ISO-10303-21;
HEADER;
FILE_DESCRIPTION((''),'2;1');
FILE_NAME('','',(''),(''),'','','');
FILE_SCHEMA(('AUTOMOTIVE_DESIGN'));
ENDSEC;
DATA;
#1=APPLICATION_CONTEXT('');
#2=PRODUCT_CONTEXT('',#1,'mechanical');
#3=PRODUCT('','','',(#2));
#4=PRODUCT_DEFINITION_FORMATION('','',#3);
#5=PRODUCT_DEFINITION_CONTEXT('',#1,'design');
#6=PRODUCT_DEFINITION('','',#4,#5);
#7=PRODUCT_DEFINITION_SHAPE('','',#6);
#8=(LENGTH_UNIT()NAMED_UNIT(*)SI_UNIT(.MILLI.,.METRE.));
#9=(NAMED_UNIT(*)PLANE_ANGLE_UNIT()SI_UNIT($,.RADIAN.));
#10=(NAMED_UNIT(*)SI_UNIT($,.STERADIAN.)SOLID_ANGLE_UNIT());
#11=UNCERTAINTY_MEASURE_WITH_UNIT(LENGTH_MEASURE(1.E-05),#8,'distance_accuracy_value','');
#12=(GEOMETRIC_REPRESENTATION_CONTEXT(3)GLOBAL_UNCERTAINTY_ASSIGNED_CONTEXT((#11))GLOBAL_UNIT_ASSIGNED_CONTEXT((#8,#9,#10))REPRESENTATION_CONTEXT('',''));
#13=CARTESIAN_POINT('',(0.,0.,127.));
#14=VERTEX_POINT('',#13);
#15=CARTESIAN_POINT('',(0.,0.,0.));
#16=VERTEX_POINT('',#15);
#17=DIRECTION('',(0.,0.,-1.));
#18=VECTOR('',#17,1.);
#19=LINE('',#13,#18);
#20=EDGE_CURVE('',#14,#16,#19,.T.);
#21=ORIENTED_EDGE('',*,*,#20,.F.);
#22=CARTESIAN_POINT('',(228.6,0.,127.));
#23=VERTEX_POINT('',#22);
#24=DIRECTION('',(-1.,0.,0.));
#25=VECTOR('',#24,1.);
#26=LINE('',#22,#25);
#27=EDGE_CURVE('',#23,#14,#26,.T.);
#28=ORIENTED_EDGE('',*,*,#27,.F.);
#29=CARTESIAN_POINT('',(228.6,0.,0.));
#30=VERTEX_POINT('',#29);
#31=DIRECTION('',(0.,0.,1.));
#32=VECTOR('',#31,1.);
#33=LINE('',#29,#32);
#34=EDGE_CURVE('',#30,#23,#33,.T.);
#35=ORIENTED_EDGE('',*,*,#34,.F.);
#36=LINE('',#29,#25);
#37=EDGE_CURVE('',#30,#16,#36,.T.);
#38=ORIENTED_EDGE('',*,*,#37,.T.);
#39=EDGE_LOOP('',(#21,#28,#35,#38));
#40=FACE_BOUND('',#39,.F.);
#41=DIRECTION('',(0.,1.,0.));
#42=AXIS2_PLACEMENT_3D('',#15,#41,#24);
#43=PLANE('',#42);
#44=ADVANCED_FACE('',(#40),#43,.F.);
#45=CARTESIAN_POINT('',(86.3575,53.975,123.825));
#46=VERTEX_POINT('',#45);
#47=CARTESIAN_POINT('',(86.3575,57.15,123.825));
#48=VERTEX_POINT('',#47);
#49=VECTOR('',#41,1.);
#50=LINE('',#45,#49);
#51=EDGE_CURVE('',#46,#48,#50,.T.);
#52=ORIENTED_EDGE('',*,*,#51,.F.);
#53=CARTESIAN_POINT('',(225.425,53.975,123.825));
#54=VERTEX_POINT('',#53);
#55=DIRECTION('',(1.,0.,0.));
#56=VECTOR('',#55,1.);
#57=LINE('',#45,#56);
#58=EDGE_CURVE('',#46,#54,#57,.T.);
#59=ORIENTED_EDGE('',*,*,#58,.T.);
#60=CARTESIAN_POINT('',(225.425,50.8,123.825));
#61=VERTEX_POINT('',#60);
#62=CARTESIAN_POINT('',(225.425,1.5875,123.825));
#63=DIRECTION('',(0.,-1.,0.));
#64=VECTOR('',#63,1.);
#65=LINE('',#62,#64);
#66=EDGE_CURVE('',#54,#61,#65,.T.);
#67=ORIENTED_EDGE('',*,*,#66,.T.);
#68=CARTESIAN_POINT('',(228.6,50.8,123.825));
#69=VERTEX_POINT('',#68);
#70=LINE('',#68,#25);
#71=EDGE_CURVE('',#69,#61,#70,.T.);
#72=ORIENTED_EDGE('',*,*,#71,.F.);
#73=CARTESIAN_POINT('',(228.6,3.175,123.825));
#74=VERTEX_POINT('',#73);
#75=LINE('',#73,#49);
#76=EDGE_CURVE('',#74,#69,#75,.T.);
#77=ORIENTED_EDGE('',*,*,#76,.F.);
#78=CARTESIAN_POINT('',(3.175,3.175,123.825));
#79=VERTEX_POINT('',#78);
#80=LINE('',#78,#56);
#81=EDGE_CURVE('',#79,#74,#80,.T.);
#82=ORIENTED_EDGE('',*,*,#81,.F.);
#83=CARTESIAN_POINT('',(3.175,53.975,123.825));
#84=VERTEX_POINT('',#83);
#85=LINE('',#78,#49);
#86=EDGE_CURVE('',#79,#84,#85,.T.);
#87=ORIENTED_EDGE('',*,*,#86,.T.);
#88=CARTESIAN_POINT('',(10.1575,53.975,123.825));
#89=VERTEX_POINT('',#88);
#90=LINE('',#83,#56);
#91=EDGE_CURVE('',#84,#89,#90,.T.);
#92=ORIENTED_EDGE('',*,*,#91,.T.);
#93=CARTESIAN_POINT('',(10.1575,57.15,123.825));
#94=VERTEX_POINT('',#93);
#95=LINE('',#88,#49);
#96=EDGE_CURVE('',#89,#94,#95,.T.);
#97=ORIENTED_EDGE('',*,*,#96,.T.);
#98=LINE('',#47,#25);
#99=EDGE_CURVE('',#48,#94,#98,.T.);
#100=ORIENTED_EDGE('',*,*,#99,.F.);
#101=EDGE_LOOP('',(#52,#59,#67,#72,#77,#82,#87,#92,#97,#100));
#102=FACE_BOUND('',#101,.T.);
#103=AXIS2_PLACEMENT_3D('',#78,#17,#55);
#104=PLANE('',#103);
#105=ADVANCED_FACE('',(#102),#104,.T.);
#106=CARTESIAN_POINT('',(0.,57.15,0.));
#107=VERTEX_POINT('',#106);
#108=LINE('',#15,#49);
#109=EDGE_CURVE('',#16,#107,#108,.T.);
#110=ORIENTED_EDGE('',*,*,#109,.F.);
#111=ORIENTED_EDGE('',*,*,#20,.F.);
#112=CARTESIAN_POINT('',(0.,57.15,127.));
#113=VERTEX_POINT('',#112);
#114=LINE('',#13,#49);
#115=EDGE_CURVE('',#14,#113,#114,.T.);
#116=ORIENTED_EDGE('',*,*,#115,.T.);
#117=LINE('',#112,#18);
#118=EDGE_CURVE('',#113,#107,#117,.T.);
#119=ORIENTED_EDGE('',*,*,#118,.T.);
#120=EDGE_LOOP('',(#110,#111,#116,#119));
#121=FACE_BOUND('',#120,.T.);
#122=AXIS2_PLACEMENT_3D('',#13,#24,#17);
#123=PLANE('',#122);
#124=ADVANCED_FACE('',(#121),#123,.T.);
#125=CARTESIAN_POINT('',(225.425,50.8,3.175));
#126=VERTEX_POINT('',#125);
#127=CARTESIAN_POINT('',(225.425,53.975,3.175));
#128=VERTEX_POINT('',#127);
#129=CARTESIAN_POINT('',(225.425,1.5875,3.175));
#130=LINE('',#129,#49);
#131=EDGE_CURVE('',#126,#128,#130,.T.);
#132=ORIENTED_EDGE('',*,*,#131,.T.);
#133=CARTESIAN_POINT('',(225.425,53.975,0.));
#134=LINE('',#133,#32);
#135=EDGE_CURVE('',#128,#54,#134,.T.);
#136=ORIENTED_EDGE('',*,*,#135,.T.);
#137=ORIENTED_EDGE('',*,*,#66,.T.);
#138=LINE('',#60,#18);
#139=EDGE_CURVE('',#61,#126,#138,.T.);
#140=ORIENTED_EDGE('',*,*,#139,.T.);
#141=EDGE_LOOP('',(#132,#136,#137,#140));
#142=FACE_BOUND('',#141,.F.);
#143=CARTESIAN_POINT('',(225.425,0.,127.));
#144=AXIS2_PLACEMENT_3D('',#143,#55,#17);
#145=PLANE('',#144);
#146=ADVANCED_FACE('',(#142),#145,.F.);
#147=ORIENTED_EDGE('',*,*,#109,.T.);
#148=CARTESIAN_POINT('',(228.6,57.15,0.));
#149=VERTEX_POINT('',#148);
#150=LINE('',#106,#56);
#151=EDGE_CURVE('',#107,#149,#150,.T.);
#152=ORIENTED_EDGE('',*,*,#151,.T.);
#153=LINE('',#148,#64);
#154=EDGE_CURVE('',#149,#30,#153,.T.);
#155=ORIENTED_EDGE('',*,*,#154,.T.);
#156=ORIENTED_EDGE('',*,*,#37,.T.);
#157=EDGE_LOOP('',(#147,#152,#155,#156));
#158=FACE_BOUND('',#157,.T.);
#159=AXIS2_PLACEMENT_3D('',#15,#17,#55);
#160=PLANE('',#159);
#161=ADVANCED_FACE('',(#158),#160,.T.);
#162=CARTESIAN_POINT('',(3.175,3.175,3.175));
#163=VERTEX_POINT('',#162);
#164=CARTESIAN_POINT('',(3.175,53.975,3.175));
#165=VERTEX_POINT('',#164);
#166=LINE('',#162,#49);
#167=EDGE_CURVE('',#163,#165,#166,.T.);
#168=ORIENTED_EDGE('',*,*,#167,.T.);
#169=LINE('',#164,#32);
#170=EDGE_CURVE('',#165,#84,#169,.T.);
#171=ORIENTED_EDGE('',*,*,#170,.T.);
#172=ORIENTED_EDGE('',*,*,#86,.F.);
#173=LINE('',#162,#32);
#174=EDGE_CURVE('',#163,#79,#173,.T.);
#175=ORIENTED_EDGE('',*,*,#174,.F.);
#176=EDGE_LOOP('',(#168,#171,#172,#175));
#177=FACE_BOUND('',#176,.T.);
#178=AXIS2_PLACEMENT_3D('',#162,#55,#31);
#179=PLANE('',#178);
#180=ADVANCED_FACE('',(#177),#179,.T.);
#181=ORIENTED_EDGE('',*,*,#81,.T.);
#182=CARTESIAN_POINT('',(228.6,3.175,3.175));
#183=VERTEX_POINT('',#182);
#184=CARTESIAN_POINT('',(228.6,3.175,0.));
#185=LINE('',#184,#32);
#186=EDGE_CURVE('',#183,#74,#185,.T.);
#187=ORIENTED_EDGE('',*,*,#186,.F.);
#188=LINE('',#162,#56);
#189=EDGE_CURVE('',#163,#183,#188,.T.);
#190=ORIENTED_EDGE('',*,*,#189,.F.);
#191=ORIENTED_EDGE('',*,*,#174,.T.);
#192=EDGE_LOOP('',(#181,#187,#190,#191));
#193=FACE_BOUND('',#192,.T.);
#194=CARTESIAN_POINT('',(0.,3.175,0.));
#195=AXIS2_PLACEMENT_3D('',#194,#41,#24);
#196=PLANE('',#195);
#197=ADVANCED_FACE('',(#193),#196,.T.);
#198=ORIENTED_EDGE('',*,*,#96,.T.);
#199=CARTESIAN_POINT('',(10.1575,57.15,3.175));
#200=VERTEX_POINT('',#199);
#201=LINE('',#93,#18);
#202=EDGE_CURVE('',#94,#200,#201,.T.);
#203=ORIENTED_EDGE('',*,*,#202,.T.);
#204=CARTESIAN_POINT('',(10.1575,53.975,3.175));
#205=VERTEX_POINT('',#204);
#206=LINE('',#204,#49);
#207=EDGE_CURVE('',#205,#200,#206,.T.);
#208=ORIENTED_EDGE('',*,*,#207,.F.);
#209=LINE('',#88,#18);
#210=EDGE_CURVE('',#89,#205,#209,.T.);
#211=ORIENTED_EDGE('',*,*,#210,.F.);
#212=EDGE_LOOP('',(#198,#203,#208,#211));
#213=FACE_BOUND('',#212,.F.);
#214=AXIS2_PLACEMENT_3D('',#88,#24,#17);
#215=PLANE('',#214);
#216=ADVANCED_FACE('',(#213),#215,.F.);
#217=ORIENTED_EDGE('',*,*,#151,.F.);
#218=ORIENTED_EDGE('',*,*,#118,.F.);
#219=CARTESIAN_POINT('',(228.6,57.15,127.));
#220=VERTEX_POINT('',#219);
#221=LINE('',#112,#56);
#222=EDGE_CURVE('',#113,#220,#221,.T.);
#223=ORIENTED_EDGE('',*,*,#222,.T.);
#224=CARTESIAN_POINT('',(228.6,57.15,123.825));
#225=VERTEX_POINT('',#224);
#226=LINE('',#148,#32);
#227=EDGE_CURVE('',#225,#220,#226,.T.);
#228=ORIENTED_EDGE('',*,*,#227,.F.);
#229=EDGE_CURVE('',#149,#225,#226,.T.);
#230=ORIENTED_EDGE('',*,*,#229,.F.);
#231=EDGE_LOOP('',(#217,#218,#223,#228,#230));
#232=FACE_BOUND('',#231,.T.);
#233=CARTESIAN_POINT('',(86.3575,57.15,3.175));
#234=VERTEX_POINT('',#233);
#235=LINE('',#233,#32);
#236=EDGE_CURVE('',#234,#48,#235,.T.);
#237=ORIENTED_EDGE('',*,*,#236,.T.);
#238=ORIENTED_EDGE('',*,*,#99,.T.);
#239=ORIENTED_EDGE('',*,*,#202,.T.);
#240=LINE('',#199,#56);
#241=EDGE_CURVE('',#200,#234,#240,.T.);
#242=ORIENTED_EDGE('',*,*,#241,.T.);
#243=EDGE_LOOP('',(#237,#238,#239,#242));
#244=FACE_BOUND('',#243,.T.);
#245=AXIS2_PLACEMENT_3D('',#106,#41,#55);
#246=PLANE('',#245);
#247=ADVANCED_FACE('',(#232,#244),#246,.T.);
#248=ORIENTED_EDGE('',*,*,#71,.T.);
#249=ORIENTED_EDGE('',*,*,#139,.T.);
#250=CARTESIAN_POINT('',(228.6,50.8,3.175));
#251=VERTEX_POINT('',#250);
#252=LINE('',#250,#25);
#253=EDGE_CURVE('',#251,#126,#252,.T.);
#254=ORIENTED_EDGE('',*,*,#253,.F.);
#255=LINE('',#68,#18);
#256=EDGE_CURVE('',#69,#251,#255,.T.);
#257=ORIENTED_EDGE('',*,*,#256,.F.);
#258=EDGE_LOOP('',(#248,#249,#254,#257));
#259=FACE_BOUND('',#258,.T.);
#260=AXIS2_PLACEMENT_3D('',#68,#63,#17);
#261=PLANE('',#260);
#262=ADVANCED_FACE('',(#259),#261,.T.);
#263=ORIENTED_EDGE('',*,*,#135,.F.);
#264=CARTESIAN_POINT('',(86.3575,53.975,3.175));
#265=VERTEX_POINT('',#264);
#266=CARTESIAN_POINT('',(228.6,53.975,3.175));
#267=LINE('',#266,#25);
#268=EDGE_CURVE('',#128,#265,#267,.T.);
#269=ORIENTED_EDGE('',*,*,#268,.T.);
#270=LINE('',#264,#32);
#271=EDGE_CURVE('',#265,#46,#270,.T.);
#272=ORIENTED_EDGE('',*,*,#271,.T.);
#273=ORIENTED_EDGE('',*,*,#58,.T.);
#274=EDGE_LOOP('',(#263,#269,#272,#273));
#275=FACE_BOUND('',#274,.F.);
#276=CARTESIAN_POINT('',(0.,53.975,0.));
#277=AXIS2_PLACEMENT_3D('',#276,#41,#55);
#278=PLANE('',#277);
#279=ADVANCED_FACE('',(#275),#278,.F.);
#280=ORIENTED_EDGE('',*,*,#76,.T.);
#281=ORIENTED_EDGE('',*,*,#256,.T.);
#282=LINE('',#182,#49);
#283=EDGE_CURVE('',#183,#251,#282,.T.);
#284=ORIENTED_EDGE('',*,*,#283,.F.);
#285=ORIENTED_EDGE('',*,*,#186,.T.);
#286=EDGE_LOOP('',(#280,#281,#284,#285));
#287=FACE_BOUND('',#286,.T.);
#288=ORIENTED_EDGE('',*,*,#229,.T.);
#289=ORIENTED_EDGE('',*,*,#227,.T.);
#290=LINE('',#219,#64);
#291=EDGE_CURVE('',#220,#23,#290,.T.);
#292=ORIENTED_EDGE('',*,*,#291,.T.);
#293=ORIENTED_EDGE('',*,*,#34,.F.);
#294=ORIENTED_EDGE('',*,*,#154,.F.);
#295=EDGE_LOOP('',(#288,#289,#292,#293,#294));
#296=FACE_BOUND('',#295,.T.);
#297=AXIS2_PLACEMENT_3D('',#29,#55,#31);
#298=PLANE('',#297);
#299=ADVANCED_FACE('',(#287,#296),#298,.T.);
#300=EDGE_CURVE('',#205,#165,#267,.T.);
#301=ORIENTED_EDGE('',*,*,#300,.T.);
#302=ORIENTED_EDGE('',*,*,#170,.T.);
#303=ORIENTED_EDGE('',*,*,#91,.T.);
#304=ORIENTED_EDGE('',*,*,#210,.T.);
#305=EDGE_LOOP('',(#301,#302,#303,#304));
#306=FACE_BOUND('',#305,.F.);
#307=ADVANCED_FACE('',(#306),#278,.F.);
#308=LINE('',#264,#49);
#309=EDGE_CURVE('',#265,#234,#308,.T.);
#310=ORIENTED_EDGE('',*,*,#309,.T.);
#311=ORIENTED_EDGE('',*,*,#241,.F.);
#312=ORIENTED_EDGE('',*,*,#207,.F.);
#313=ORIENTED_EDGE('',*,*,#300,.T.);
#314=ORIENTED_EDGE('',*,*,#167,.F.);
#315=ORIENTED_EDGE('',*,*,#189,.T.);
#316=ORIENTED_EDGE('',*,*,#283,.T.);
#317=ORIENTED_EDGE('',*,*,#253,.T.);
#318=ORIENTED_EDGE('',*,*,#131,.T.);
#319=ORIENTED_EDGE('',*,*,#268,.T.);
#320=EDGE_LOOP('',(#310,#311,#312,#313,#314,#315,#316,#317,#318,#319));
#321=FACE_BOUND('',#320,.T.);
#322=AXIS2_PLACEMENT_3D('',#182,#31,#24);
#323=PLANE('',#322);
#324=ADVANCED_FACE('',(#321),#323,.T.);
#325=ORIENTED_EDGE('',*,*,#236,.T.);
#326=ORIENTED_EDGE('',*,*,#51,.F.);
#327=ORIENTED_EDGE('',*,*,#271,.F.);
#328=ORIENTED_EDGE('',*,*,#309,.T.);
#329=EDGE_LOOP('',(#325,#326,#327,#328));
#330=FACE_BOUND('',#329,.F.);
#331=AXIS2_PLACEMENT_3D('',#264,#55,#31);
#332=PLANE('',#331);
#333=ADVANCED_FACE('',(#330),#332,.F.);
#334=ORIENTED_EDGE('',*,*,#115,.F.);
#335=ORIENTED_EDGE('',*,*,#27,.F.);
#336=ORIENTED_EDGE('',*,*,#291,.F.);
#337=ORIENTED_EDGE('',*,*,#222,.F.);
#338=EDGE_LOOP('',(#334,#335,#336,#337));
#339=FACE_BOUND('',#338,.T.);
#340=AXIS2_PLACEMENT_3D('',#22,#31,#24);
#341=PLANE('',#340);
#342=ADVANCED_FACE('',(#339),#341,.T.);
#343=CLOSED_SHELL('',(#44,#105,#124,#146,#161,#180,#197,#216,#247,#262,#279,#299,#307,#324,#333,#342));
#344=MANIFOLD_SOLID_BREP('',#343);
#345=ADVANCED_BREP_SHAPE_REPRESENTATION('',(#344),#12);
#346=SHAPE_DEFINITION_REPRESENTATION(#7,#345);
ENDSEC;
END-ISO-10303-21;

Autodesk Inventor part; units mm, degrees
ref_plane "YZ Plane" through (0, 0, 0) normal (1, 0, 0) x (0, 1, 0)
ref_plane "XZ Plane" through (0, 0, 0) normal (0, 1, 0) x (-1, 0, 0)
ref_plane "XY Plane" through (0, 0, 0) normal (0, 0, 1) x (1, 0, 0)
sketch "Sketch1" plane through (0, 0, 0) normal (0, 1, 0) x (-1, 0, 0)
  line L0 (0, 0) -> (-228.6, 0)
  line L1 (-228.6, 0) -> (-228.6, 127)
  line L2 (-228.6, 127) -> (0, 127)
  line L3 (0, 127) -> (0, 0)
  dimension "d0" = 228.6
  dimension "d1" = 127
extrude "Extrusion1" add sketch "Sketch1" along normal blind 3.175
sketch "Sketch2" plane through (0, 3.175, 0) normal (0, 1, 0) x (1, 0, 0)
  line L0 (228.6, 0) -> (0, 0) projected
  line L1 (0, -127) -> (228.6, -127) projected
  line L2 (0, 0) -> (228.6, 0)
  line L3 (228.6, -127) -> (0, -127)
  line L4 (0, -127) -> (0, 0)
  line L5 (0, 0) -> (0, -127) projected
  line L6 (0, 0) -> (228.6, 0)
  line L7 (228.6, 0) -> (228.6, -127)
  line L8 (228.6, -127) -> (0, -127)
  line L9 (0, -127) -> (0, 0)
  line L10 (228.6, -3.175) -> (3.175, -3.175)
  line L11 (3.175, -3.175) -> (3.175, -123.825)
  line L12 (3.175, -123.825) -> (228.6, -123.825)
  dimension "d4" = 3.175
extrude "Extrusion2" add sketch "Sketch2" along normal blind 50.8 contours L7 L10 L11 L12 L1 L4 L0
sketch "Sketch3" plane through (228.6, 0, 127) normal (1, 0, 0) x (0, 0, -1)
  line L0 (127, 53.975) -> (0, 53.975) projected
  line L1 (0, 53.975) -> (127, 53.975)
  line L2 (127, 53.975) -> (127, 0)
  line L3 (127, 0) -> (0, 0)
  line L4 (0, 0) -> (0, 53.975)
  line L5 (3.175, 50.8) -> (123.825, 50.8)
  line L6 (123.825, 50.8) -> (123.825, 3.175)
  line L7 (123.825, 3.175) -> (3.175, 3.175)
  line L8 (3.175, 3.175) -> (3.175, 50.8)
  dimension "d7" = 3.175
extrude "Extrusion3" add sketch "Sketch3" against normal blind 3.175
sketch "Sketch4" plane through (0, 53.975, 0) normal (0, 1, 0) x (1, 0, 0)
  line L0 (228.6, 0) -> (0, 0) projected
  line L1 (0, -127) -> (228.6, -127) projected
  line L2 (0, 0) -> (228.6, 0)
  line L3 (228.6, 0) -> (228.6, -127)
  line L4 (228.6, -127) -> (0, -127)
  line L5 (0, -127) -> (0, 0)
  line L6 (3.175, -123.825) -> (228.6, -123.825) construction
  line L7 (3.175, -123.825) -> (79.375, -123.825) construction
  line L8 (228.6, -127) -> (228.6, 0) projected
  line L9 (79.375, -123.825) -> (228.6, -123.825)
  line L10 (228.6, -123.825) -> (228.6, 0)
  line L11 (228.6, 0) -> (79.375, 0)
  line L12 (3.175, -123.825) -> (3.175, -3.175) projected
  line L13 (3.175, -3.175) -> (79.375, -3.175)
  line L14 (79.375, -123.825) -> (3.175, -123.825)
  line L15 (3.175, -123.825) -> (3.175, -3.175)
  line L16 (79.375, -3.175) -> (155.575, -3.175)
  line L17 (155.575, -123.825) -> (79.375, -123.825)
  line L18 (3.175, -123.825) -> (117.475, -123.825) construction
  line L19 (225.425, -123.825) -> (3.175, -123.825) construction
  line L20 (117.475, -123.825) -> (41.275, -123.825)
  line L21 (41.275, -3.175) -> (117.475, -3.175)
  line L22 (3.175, -3.175) -> (225.425, -3.175) projected
  line L23 (10.1575, -3.175) -> (86.3575, -3.175)
  line L24 (86.3575, -3.175) -> (86.3575, -123.825)
  line L25 (86.3575, -123.825) -> (10.1575, -123.825)
  line L26 (10.1575, -123.825) -> (10.1575, -3.175)
  point P0 (10.1575, -123.825)
  dimension "d10" = 76.2
  dimension "d13" = 76.2
  dimension "d15" = 114.3
  dimension "d16" = 76.2
  dimension "d17" = 76.2
extrude "Extrusion4" add sketch "Sketch4" along normal blind 3.175 contours L3 L1 L5 L0 | L14 L12 L13 L26
properties part number "ShootingMech_Housing3"
